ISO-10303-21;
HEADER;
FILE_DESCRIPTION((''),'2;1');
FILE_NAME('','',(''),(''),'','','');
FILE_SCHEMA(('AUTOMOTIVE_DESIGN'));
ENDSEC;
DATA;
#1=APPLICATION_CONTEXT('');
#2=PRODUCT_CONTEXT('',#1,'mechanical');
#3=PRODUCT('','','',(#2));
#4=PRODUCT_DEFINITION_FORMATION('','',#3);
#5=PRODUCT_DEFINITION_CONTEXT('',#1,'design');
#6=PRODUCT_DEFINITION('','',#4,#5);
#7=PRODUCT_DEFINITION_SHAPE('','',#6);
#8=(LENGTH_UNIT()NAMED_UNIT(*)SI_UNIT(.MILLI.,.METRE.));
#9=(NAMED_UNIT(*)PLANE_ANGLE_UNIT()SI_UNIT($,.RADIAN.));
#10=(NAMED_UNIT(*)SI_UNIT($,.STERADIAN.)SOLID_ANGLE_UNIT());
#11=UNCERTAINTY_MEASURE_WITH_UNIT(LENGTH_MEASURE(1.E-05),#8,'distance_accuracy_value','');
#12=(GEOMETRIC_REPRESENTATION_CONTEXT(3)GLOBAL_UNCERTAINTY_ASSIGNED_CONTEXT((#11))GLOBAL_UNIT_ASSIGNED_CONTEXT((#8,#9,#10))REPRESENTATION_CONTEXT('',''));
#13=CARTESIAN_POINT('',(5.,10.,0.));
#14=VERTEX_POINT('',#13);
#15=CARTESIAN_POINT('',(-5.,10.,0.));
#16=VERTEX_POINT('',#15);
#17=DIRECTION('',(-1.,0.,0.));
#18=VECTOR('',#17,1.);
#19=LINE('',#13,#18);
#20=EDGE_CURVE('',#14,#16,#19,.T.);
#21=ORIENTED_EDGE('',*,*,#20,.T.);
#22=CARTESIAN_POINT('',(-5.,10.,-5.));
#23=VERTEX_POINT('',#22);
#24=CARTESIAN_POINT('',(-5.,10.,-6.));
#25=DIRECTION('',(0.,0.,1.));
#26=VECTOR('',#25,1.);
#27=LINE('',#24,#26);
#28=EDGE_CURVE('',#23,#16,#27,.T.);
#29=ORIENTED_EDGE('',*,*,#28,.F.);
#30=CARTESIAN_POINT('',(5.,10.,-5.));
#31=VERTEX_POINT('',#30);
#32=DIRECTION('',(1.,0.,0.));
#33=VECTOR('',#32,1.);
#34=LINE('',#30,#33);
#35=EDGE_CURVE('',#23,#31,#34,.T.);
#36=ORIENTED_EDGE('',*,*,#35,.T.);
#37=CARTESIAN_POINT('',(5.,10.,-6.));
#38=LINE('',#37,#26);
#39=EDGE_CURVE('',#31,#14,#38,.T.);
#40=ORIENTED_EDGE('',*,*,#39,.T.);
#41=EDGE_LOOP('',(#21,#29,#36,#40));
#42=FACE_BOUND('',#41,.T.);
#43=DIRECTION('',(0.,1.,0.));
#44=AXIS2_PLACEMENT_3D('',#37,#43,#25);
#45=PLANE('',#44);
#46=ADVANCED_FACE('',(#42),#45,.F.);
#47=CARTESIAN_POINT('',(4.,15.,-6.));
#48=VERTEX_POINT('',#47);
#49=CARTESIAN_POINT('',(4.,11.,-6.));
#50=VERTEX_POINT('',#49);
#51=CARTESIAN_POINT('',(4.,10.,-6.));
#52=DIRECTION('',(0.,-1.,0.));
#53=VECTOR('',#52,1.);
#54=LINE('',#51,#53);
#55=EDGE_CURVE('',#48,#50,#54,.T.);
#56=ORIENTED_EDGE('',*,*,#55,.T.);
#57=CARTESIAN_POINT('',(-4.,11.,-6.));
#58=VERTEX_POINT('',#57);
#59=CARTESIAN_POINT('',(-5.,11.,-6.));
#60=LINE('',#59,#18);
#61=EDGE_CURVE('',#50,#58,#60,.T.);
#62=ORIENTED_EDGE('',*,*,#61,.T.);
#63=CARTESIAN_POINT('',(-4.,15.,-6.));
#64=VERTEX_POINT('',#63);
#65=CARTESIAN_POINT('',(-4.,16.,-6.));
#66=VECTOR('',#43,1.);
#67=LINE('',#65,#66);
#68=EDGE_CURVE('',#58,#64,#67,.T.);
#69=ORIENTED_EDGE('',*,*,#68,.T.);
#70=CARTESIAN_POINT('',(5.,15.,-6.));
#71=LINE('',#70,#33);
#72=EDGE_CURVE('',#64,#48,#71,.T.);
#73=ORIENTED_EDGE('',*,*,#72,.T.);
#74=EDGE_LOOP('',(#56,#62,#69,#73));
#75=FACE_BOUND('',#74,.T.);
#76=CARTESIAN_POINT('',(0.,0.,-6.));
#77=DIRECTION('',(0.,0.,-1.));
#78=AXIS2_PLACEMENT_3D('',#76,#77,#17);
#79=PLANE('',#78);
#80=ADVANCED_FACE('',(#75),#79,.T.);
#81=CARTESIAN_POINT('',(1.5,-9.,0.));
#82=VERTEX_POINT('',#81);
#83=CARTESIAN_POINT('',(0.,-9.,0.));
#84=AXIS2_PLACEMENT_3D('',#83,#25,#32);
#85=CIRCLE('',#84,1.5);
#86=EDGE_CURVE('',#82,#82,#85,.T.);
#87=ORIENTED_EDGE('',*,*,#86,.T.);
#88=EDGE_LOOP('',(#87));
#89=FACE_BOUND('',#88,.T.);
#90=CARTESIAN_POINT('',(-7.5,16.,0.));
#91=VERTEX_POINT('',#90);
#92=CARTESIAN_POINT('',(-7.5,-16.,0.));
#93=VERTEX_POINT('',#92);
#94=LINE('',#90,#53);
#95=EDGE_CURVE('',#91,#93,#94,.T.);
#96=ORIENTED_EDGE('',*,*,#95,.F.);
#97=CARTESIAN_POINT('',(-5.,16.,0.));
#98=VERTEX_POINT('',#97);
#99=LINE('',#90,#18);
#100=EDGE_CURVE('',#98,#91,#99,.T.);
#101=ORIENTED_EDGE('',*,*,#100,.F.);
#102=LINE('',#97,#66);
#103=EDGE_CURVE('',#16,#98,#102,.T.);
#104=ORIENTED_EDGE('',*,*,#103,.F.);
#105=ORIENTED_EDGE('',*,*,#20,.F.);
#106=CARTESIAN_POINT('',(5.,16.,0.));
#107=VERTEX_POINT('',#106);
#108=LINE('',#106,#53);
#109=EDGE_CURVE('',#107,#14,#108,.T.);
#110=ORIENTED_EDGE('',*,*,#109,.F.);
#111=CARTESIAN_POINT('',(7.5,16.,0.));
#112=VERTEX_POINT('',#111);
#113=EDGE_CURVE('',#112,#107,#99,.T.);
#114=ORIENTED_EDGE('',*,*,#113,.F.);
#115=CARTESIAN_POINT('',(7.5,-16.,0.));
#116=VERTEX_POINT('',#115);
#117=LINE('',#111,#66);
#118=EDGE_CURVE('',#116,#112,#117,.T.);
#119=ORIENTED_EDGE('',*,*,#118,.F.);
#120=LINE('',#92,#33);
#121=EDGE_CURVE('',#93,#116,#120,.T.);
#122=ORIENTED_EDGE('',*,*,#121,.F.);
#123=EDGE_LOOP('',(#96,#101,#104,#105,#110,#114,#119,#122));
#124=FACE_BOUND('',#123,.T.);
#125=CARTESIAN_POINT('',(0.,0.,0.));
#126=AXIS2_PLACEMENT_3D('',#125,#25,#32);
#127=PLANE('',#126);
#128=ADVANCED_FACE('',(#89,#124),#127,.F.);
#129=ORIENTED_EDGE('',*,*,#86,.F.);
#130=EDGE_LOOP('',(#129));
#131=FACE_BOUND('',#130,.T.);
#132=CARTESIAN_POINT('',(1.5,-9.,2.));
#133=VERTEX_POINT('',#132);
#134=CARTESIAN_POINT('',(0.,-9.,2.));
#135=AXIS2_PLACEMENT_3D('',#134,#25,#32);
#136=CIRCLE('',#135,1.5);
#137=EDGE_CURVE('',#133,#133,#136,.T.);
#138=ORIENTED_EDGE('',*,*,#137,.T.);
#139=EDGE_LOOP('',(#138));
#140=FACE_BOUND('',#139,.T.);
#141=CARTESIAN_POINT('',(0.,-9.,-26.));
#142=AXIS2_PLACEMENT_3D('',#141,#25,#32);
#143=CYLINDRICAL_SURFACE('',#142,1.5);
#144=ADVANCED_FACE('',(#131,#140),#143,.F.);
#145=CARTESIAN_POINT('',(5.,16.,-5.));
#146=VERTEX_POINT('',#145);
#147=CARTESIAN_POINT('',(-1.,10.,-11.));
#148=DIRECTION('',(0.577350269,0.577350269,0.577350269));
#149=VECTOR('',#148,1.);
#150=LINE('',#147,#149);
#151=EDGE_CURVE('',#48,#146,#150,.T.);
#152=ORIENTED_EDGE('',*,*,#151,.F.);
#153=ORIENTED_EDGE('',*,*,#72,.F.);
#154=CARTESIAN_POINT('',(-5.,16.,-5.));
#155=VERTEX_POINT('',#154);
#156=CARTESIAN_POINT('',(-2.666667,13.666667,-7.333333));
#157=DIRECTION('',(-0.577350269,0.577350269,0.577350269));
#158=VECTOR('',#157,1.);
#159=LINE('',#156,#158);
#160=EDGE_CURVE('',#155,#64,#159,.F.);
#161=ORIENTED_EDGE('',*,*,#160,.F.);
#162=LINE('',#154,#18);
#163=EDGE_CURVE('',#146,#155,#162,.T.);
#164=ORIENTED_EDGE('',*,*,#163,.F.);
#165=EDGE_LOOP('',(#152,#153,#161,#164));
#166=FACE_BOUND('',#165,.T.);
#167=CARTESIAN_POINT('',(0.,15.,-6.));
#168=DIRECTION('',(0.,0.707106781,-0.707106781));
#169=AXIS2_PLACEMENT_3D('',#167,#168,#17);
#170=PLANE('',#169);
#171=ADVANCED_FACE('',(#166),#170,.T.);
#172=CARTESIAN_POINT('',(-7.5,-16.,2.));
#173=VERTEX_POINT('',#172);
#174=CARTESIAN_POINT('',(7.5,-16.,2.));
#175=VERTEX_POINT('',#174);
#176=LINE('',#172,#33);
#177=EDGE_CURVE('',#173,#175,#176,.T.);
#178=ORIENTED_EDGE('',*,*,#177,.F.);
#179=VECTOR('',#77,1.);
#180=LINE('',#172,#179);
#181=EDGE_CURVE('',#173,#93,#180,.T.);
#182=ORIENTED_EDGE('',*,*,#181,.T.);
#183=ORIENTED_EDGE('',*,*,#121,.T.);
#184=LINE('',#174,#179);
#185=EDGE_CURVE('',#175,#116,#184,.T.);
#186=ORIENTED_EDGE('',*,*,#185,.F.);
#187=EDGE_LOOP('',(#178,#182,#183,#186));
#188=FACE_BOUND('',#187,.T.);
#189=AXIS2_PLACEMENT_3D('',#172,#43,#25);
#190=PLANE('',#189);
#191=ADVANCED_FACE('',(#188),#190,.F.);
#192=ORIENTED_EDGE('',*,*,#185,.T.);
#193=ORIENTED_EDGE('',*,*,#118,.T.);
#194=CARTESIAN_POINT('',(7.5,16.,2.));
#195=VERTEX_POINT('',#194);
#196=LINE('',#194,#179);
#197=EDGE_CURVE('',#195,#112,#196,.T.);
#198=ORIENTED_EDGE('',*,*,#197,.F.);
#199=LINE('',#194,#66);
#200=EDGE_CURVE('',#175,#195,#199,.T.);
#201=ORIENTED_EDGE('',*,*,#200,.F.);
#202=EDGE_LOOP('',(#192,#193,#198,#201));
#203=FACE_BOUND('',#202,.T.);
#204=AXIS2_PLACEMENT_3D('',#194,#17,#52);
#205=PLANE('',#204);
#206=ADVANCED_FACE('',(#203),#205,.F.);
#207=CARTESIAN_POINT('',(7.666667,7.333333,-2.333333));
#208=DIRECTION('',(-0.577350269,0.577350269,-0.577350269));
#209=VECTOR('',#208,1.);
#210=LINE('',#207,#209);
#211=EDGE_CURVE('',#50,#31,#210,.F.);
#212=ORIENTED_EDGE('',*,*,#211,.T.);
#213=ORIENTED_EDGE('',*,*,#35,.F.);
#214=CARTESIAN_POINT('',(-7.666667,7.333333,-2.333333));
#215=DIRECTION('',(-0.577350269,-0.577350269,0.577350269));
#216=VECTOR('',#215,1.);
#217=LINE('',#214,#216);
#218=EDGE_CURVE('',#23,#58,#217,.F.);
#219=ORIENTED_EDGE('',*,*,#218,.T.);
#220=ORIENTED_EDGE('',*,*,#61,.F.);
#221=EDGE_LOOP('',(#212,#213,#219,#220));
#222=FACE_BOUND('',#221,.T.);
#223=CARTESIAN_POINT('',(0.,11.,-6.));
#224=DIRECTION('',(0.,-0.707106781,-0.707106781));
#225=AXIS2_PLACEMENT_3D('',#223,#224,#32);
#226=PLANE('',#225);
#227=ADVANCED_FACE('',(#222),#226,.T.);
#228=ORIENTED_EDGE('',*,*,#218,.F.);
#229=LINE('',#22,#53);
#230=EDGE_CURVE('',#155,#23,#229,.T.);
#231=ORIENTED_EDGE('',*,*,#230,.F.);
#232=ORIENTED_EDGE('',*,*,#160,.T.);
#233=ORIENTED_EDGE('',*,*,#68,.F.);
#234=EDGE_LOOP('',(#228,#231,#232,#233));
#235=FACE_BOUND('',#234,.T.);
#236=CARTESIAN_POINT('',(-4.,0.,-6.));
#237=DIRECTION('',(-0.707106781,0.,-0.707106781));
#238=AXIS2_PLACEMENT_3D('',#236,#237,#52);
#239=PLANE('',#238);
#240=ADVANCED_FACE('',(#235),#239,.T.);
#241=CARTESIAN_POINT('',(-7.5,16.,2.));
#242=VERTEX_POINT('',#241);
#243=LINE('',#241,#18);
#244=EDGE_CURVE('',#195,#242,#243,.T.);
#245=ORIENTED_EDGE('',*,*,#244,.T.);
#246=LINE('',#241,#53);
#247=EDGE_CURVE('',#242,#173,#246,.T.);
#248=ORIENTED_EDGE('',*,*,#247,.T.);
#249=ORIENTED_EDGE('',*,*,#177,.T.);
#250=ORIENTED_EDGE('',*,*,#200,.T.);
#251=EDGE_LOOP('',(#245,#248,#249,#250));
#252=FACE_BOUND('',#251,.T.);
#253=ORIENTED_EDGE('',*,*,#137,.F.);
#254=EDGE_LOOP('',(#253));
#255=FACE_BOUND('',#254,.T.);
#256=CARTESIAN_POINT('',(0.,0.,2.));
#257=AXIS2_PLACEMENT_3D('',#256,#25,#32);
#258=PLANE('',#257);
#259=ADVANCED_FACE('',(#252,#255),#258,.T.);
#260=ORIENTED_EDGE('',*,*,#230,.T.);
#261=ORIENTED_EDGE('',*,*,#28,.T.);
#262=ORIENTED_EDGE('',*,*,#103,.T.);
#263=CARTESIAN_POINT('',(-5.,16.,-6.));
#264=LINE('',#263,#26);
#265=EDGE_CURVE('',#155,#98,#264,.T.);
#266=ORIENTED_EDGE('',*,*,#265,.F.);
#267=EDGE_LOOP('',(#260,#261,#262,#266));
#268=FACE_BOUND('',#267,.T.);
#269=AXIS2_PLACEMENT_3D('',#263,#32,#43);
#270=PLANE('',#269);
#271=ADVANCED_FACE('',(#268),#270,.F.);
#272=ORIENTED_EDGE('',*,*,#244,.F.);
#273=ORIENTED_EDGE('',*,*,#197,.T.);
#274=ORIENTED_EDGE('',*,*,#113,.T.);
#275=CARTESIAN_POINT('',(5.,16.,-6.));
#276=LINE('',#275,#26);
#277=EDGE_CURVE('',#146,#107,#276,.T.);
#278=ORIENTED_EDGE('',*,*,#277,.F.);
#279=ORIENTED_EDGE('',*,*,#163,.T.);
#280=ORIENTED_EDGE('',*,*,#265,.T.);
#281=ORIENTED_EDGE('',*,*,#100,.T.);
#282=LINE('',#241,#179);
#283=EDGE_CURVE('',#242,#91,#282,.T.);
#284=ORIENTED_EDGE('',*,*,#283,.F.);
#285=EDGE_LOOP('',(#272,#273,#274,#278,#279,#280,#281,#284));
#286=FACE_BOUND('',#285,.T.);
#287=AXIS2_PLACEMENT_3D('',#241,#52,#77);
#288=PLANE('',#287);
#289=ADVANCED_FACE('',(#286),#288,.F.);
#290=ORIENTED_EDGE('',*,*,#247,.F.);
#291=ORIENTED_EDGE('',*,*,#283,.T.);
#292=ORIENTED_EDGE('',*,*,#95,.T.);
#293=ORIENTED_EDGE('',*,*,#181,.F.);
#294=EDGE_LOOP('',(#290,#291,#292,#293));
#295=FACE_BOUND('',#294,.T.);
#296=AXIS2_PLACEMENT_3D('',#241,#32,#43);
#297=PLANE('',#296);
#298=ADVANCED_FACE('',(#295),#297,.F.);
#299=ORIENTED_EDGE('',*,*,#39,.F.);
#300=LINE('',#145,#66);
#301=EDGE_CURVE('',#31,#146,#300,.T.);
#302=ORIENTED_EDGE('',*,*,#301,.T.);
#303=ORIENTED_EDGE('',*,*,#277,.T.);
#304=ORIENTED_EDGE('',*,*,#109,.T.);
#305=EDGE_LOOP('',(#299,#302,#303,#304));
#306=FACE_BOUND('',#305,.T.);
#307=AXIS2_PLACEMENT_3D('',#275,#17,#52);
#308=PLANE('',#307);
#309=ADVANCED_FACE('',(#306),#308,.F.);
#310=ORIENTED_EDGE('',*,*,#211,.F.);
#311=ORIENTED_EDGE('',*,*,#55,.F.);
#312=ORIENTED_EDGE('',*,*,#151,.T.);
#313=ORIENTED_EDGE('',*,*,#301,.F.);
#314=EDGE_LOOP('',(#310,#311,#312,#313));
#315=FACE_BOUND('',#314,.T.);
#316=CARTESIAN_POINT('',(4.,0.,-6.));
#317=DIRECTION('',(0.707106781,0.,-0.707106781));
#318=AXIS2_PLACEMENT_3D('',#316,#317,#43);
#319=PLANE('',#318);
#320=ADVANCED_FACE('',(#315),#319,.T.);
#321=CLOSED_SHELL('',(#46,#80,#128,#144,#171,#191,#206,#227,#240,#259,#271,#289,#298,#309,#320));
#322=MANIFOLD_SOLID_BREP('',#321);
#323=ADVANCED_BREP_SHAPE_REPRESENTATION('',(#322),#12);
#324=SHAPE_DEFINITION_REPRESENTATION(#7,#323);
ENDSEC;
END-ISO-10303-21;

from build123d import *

# Parameters (mm, degrees)
SKETCH_1_W          = 15
SKETCH_1_H          = 32
EXTRUDE_1_DEPTH     = 2
SKETCH_2_W          = 10
SKETCH_2_H          = 6
EXTRUDE_2_DEPTH     = 6
CHAMFER_1_SIZE      = 1
SKETCH_3_R          = 1.5
CUT_EXTRUDE_1_DEPTH = 28


with BuildPart() as part:
    # 草图1 → 凸台-拉伸1 (new body)
    with BuildSketch(Plane.XY):
        Rectangle(SKETCH_1_W, SKETCH_1_H)
    extrude(amount=EXTRUDE_1_DEPTH)

    # 草图2 → 凸台-拉伸2 (add)
    with BuildSketch(Plane(origin=(0, 0, 0), x_dir=(-1, 0, 0), z_dir=(0, 0, -1))):
        with Locations((0, 13)):
            Rectangle(SKETCH_2_W, SKETCH_2_H)
    extrude(amount=EXTRUDE_2_DEPTH)

    # 倒角1
    chamfer_1_edges = [part.edges().sort_by_distance(p)[0] for p in [
        (0, 10, -6),
        (-5, 13, -6),
        (0, 16, -6),
        (5, 13, -6),
    ]]
    chamfer(chamfer_1_edges, length=CHAMFER_1_SIZE)

    # 草图3 → 切除-拉伸1 (cut)
    with BuildSketch(Plane.XY.offset(2)):
        with Locations((0, -9)):
            Circle(SKETCH_3_R)
    extrude(amount=-CUT_EXTRUDE_1_DEPTH, mode=Mode.SUBTRACT)


solid = part.part
